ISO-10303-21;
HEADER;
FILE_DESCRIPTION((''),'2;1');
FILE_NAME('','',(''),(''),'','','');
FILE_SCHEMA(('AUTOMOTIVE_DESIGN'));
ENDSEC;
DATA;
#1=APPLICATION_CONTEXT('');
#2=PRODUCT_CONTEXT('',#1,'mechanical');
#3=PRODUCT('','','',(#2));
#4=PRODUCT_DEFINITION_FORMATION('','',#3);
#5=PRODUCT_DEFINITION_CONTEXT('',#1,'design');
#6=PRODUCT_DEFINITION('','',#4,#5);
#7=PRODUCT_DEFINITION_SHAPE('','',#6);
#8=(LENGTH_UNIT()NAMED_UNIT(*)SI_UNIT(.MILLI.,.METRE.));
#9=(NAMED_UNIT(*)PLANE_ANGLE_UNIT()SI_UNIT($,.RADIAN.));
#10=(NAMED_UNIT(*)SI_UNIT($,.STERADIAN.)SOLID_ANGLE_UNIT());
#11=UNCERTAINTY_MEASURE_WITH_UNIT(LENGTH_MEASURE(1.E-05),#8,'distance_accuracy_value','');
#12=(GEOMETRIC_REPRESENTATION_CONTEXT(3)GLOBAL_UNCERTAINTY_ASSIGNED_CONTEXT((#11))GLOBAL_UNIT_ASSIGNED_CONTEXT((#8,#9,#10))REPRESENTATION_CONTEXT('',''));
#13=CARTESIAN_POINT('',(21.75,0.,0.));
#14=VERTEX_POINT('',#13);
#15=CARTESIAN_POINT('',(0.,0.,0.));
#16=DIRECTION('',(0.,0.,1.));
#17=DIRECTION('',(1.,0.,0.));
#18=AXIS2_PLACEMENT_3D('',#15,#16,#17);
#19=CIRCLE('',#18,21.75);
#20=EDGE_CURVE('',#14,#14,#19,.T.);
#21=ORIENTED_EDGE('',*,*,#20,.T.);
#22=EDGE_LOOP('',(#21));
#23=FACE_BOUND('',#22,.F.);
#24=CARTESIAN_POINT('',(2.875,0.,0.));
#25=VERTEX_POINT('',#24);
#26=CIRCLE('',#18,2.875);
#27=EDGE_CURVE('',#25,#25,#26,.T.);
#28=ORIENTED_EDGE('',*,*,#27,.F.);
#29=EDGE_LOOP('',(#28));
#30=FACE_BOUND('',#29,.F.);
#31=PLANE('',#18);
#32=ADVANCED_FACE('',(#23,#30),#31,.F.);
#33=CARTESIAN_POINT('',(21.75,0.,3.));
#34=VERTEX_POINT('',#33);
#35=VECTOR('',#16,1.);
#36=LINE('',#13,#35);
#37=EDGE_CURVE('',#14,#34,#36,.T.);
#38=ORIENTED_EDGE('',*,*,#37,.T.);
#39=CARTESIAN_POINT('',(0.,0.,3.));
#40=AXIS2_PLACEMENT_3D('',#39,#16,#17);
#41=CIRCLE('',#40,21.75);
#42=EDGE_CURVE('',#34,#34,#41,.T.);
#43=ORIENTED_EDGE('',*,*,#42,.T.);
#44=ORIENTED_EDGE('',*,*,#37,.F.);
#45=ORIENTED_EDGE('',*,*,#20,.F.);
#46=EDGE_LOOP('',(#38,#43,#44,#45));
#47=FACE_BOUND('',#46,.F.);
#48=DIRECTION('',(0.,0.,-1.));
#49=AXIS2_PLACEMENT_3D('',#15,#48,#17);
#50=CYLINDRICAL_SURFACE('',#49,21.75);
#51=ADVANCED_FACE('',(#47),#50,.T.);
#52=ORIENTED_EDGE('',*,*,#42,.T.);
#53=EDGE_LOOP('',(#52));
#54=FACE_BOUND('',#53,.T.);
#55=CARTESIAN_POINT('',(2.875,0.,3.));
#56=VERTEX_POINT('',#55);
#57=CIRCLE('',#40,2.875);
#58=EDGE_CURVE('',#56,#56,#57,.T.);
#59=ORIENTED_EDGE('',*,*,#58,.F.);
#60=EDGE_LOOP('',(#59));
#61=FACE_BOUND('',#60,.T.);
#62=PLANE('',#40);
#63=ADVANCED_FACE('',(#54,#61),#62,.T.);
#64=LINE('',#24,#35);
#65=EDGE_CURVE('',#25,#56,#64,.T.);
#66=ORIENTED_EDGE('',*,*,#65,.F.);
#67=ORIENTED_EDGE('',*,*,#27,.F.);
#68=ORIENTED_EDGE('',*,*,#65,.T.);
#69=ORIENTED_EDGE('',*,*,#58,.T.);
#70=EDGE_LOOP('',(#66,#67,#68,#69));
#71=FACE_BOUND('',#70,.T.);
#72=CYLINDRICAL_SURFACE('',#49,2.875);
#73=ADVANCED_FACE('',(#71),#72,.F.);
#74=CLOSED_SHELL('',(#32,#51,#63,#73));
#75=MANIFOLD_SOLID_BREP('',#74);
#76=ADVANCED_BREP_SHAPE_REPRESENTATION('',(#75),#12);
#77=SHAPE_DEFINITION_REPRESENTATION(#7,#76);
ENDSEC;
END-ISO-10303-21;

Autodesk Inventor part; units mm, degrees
ref_plane "YZ Plane" through (0, 0, 0) normal (1, 0, 0) x (0, 1, 0)
ref_plane "XZ Plane" through (0, 0, 0) normal (0, 1, 0) x (-1, 0, 0)
ref_plane "XY Plane" through (0, 0, 0) normal (0, 0, 1) x (1, 0, 0)
sketch "Esquisse1" plane through (0, 0, 0) normal (0, 0, 1) x (1, 0, 0)
  circle A0 centre (0, 0) radius 2.875
  circle A1 centre (0, 0) radius 21.75
  dimension "d0" = 5.75
  dimension "d1" = 43.5
extrude "Extrusion1" add sketch "Esquisse1" along normal blind 3
properties part number "Aimant_tenir"
